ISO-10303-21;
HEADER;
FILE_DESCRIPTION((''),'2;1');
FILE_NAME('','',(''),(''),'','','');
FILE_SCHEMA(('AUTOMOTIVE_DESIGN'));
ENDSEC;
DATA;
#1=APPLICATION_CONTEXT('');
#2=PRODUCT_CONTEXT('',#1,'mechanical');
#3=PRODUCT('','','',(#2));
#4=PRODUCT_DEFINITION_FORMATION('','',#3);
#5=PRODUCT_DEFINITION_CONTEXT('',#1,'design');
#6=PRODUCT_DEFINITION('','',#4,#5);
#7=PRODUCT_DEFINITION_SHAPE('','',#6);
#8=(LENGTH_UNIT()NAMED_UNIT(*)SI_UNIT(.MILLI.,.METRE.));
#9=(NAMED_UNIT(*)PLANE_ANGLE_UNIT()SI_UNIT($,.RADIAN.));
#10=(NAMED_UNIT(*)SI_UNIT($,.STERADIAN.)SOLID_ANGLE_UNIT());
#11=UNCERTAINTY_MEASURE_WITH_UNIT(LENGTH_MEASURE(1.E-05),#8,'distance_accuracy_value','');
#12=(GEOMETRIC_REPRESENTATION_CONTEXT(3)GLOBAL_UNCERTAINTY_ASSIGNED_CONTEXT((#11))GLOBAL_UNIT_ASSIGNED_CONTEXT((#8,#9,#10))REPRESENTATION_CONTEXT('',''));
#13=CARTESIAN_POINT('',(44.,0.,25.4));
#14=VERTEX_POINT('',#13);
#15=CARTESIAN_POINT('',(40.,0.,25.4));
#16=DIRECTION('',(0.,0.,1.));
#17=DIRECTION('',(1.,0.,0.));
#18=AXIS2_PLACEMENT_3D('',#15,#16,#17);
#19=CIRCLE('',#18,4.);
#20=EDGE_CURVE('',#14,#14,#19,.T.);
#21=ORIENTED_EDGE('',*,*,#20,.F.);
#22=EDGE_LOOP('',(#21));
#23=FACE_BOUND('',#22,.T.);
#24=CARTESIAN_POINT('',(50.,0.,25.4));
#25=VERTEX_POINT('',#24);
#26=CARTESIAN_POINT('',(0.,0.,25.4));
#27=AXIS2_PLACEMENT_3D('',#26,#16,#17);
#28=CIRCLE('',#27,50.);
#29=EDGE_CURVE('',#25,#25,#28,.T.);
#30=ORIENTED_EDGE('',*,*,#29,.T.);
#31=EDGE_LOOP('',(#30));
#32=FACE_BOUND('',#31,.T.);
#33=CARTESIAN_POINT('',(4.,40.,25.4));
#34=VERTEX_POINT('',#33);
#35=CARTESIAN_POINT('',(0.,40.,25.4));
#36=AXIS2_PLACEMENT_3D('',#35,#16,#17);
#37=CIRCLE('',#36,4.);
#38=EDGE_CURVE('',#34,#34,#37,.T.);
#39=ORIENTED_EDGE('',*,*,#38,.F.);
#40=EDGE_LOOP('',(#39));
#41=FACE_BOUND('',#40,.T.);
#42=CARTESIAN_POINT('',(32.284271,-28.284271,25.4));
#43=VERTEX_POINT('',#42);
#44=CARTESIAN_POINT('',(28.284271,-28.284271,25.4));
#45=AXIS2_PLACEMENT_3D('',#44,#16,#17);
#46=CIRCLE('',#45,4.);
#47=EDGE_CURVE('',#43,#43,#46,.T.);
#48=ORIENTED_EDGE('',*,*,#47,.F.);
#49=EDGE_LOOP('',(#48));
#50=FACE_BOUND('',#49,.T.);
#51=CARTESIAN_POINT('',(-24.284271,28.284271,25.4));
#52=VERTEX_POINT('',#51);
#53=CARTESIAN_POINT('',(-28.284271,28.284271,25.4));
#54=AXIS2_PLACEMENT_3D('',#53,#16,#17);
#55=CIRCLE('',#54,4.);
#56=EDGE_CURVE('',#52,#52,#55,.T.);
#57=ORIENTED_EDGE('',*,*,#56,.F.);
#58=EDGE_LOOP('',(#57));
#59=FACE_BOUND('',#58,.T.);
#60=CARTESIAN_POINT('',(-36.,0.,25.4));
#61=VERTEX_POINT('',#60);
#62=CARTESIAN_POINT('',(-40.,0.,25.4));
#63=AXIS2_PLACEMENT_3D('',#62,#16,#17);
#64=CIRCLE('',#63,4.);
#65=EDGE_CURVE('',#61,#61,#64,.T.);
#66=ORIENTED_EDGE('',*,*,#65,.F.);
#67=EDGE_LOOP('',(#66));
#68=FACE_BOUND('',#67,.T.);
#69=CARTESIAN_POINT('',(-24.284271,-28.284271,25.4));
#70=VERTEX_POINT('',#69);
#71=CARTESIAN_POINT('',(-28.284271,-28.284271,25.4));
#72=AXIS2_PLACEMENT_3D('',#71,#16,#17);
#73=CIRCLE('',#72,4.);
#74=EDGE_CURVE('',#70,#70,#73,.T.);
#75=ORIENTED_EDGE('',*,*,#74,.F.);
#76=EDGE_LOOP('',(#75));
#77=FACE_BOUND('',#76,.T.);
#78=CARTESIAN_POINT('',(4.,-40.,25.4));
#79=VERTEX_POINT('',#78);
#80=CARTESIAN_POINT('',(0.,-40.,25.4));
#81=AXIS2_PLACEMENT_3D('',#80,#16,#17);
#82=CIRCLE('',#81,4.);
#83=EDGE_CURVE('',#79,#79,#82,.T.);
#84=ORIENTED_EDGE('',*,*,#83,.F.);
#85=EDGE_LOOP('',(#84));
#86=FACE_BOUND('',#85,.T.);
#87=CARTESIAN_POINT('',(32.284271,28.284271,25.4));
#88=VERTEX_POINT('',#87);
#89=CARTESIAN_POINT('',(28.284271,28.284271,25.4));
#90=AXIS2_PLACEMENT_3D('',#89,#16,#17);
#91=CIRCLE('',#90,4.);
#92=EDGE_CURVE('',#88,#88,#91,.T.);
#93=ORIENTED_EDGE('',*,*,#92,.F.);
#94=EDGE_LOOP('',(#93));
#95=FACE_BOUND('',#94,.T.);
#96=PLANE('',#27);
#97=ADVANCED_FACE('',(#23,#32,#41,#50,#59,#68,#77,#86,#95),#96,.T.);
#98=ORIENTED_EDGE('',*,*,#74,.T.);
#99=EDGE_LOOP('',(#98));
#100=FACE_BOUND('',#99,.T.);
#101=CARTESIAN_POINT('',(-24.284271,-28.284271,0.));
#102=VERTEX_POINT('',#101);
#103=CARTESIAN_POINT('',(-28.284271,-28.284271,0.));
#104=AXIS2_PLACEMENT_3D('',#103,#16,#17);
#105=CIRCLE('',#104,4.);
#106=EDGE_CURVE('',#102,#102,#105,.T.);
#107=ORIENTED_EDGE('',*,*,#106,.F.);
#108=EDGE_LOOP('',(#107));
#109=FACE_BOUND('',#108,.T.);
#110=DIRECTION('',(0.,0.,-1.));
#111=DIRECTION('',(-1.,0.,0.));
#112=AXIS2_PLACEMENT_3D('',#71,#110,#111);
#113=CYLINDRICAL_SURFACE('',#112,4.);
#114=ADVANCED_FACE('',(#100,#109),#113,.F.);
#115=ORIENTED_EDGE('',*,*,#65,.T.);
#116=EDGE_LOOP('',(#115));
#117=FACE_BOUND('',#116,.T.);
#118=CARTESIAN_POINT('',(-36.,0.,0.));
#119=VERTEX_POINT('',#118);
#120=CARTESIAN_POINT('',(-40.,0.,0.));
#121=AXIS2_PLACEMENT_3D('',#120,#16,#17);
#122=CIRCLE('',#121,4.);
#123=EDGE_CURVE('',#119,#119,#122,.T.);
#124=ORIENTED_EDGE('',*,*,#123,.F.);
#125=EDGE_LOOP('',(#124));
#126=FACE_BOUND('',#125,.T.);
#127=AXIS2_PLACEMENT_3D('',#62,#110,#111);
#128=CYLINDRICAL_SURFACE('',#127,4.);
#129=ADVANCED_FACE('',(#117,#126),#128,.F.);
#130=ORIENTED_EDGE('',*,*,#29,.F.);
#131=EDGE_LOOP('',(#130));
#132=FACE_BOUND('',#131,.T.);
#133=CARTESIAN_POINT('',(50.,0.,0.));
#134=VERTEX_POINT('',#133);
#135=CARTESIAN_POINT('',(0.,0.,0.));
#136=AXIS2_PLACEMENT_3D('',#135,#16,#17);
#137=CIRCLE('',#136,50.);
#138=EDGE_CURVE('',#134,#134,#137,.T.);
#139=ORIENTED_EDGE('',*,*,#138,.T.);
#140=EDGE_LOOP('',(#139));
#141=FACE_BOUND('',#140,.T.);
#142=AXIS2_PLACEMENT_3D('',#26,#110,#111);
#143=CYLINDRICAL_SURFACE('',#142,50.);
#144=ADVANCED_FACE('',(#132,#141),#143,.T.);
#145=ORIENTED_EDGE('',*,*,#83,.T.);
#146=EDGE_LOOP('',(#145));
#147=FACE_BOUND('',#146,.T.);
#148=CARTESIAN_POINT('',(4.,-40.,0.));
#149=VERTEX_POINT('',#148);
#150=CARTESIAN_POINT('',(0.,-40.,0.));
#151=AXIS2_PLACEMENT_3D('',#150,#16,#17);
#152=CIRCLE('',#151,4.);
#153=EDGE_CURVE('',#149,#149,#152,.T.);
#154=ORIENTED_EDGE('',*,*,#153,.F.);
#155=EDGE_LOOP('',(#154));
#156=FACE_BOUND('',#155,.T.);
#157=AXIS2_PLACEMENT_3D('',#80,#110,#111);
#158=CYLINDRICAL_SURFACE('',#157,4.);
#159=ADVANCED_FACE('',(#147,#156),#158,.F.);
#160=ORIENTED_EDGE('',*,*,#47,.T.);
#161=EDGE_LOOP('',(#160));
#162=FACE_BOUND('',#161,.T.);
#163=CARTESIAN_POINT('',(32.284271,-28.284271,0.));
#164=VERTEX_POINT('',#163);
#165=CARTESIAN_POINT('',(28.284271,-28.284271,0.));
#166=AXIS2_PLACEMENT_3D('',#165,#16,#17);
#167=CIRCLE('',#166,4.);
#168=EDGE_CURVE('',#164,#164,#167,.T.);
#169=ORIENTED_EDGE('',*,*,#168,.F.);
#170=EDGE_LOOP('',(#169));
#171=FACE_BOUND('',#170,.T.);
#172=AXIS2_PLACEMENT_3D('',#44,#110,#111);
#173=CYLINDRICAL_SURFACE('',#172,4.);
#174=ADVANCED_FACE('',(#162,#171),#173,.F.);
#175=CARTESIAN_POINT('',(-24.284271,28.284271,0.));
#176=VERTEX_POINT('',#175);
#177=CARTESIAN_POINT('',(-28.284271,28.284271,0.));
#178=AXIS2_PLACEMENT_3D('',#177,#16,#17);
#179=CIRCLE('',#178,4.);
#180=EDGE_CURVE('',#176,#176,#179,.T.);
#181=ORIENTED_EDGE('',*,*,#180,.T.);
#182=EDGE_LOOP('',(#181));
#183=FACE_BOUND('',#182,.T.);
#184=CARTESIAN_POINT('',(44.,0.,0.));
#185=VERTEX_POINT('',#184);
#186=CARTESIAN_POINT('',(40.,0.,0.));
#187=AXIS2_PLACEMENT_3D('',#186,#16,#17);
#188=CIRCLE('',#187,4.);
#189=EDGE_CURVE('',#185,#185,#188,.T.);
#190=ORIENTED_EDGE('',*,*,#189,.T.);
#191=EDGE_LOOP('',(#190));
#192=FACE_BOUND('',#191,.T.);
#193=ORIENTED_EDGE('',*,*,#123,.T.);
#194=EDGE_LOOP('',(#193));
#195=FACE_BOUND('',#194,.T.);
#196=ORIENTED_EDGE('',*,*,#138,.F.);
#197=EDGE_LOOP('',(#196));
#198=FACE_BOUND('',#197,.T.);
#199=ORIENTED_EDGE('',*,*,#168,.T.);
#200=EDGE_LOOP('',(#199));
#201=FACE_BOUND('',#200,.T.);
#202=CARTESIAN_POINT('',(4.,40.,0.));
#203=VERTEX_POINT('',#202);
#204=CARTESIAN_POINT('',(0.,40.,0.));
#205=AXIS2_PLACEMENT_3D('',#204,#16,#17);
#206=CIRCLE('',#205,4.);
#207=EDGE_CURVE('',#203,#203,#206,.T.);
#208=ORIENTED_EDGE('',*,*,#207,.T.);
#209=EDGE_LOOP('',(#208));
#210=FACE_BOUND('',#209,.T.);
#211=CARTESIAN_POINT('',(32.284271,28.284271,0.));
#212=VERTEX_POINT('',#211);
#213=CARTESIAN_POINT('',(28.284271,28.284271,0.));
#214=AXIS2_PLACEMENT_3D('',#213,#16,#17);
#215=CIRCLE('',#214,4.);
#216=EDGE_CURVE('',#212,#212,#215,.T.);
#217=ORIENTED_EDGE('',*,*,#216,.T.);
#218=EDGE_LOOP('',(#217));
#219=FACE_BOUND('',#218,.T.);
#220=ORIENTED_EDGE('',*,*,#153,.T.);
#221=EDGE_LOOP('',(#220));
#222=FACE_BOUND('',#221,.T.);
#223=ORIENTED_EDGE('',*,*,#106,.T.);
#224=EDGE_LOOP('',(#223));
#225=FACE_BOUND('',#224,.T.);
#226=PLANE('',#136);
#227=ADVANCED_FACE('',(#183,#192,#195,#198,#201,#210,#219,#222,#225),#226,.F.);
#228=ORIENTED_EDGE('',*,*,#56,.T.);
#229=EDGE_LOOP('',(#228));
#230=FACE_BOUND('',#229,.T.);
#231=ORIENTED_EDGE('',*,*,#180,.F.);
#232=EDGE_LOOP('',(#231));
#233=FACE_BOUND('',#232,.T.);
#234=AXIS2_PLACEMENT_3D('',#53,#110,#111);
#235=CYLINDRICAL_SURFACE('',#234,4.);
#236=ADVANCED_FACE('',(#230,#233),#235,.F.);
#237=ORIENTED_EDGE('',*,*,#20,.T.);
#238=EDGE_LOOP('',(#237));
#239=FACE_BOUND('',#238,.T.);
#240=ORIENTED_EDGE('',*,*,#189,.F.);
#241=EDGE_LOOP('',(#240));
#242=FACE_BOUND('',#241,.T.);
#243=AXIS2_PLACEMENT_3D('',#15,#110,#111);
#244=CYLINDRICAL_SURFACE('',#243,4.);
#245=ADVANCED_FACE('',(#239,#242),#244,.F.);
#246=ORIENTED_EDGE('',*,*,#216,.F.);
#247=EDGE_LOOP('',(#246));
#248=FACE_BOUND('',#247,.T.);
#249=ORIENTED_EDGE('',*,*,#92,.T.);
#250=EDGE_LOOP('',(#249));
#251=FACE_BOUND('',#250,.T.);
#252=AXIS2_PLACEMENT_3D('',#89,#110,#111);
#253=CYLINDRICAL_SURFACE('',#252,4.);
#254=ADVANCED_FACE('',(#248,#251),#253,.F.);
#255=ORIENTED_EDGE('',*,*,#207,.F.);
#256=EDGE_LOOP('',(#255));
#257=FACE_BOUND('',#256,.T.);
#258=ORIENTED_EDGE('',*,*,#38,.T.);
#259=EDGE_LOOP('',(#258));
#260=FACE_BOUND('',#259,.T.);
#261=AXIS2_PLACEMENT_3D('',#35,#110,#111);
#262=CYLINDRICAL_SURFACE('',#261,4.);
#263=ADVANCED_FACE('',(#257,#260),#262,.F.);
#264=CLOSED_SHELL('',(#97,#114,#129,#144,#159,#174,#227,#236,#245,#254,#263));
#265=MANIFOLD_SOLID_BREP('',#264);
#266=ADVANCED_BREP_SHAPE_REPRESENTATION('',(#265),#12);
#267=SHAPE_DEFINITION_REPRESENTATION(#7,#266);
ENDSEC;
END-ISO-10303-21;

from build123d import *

# Parameters (mm, degrees)
ESBO_O1_R                = 50
ESBO_O1_R_2              = 4
RESSALTO_EXTRUS_O1_DEPTH = 25.4


with BuildPart() as part:
    # Esboço1 → Ressalto-extrusão1 (new body)
    with BuildSketch(Plane.XY):
        Circle(ESBO_O1_R)
        with Locations((0, 40)):
            Circle(ESBO_O1_R_2, mode=Mode.SUBTRACT)
        with Locations((28.284271247, 28.284271247)):
            Circle(ESBO_O1_R_2, mode=Mode.SUBTRACT)
        with Locations((40, 0)):
            Circle(ESBO_O1_R_2, mode=Mode.SUBTRACT)
        with Locations((28.284271247, -28.284271247)):
            Circle(ESBO_O1_R_2, mode=Mode.SUBTRACT)
        with Locations((0, -40)):
            Circle(ESBO_O1_R_2, mode=Mode.SUBTRACT)
        with Locations((-28.284271247, -28.284271247)):
            Circle(ESBO_O1_R_2, mode=Mode.SUBTRACT)
        with Locations((-40, 0)):
            Circle(ESBO_O1_R_2, mode=Mode.SUBTRACT)
        with Locations((-28.284271247, 28.284271247)):
            Circle(ESBO_O1_R_2, mode=Mode.SUBTRACT)
    extrude(amount=RESSALTO_EXTRUS_O1_DEPTH)


solid = part.part
